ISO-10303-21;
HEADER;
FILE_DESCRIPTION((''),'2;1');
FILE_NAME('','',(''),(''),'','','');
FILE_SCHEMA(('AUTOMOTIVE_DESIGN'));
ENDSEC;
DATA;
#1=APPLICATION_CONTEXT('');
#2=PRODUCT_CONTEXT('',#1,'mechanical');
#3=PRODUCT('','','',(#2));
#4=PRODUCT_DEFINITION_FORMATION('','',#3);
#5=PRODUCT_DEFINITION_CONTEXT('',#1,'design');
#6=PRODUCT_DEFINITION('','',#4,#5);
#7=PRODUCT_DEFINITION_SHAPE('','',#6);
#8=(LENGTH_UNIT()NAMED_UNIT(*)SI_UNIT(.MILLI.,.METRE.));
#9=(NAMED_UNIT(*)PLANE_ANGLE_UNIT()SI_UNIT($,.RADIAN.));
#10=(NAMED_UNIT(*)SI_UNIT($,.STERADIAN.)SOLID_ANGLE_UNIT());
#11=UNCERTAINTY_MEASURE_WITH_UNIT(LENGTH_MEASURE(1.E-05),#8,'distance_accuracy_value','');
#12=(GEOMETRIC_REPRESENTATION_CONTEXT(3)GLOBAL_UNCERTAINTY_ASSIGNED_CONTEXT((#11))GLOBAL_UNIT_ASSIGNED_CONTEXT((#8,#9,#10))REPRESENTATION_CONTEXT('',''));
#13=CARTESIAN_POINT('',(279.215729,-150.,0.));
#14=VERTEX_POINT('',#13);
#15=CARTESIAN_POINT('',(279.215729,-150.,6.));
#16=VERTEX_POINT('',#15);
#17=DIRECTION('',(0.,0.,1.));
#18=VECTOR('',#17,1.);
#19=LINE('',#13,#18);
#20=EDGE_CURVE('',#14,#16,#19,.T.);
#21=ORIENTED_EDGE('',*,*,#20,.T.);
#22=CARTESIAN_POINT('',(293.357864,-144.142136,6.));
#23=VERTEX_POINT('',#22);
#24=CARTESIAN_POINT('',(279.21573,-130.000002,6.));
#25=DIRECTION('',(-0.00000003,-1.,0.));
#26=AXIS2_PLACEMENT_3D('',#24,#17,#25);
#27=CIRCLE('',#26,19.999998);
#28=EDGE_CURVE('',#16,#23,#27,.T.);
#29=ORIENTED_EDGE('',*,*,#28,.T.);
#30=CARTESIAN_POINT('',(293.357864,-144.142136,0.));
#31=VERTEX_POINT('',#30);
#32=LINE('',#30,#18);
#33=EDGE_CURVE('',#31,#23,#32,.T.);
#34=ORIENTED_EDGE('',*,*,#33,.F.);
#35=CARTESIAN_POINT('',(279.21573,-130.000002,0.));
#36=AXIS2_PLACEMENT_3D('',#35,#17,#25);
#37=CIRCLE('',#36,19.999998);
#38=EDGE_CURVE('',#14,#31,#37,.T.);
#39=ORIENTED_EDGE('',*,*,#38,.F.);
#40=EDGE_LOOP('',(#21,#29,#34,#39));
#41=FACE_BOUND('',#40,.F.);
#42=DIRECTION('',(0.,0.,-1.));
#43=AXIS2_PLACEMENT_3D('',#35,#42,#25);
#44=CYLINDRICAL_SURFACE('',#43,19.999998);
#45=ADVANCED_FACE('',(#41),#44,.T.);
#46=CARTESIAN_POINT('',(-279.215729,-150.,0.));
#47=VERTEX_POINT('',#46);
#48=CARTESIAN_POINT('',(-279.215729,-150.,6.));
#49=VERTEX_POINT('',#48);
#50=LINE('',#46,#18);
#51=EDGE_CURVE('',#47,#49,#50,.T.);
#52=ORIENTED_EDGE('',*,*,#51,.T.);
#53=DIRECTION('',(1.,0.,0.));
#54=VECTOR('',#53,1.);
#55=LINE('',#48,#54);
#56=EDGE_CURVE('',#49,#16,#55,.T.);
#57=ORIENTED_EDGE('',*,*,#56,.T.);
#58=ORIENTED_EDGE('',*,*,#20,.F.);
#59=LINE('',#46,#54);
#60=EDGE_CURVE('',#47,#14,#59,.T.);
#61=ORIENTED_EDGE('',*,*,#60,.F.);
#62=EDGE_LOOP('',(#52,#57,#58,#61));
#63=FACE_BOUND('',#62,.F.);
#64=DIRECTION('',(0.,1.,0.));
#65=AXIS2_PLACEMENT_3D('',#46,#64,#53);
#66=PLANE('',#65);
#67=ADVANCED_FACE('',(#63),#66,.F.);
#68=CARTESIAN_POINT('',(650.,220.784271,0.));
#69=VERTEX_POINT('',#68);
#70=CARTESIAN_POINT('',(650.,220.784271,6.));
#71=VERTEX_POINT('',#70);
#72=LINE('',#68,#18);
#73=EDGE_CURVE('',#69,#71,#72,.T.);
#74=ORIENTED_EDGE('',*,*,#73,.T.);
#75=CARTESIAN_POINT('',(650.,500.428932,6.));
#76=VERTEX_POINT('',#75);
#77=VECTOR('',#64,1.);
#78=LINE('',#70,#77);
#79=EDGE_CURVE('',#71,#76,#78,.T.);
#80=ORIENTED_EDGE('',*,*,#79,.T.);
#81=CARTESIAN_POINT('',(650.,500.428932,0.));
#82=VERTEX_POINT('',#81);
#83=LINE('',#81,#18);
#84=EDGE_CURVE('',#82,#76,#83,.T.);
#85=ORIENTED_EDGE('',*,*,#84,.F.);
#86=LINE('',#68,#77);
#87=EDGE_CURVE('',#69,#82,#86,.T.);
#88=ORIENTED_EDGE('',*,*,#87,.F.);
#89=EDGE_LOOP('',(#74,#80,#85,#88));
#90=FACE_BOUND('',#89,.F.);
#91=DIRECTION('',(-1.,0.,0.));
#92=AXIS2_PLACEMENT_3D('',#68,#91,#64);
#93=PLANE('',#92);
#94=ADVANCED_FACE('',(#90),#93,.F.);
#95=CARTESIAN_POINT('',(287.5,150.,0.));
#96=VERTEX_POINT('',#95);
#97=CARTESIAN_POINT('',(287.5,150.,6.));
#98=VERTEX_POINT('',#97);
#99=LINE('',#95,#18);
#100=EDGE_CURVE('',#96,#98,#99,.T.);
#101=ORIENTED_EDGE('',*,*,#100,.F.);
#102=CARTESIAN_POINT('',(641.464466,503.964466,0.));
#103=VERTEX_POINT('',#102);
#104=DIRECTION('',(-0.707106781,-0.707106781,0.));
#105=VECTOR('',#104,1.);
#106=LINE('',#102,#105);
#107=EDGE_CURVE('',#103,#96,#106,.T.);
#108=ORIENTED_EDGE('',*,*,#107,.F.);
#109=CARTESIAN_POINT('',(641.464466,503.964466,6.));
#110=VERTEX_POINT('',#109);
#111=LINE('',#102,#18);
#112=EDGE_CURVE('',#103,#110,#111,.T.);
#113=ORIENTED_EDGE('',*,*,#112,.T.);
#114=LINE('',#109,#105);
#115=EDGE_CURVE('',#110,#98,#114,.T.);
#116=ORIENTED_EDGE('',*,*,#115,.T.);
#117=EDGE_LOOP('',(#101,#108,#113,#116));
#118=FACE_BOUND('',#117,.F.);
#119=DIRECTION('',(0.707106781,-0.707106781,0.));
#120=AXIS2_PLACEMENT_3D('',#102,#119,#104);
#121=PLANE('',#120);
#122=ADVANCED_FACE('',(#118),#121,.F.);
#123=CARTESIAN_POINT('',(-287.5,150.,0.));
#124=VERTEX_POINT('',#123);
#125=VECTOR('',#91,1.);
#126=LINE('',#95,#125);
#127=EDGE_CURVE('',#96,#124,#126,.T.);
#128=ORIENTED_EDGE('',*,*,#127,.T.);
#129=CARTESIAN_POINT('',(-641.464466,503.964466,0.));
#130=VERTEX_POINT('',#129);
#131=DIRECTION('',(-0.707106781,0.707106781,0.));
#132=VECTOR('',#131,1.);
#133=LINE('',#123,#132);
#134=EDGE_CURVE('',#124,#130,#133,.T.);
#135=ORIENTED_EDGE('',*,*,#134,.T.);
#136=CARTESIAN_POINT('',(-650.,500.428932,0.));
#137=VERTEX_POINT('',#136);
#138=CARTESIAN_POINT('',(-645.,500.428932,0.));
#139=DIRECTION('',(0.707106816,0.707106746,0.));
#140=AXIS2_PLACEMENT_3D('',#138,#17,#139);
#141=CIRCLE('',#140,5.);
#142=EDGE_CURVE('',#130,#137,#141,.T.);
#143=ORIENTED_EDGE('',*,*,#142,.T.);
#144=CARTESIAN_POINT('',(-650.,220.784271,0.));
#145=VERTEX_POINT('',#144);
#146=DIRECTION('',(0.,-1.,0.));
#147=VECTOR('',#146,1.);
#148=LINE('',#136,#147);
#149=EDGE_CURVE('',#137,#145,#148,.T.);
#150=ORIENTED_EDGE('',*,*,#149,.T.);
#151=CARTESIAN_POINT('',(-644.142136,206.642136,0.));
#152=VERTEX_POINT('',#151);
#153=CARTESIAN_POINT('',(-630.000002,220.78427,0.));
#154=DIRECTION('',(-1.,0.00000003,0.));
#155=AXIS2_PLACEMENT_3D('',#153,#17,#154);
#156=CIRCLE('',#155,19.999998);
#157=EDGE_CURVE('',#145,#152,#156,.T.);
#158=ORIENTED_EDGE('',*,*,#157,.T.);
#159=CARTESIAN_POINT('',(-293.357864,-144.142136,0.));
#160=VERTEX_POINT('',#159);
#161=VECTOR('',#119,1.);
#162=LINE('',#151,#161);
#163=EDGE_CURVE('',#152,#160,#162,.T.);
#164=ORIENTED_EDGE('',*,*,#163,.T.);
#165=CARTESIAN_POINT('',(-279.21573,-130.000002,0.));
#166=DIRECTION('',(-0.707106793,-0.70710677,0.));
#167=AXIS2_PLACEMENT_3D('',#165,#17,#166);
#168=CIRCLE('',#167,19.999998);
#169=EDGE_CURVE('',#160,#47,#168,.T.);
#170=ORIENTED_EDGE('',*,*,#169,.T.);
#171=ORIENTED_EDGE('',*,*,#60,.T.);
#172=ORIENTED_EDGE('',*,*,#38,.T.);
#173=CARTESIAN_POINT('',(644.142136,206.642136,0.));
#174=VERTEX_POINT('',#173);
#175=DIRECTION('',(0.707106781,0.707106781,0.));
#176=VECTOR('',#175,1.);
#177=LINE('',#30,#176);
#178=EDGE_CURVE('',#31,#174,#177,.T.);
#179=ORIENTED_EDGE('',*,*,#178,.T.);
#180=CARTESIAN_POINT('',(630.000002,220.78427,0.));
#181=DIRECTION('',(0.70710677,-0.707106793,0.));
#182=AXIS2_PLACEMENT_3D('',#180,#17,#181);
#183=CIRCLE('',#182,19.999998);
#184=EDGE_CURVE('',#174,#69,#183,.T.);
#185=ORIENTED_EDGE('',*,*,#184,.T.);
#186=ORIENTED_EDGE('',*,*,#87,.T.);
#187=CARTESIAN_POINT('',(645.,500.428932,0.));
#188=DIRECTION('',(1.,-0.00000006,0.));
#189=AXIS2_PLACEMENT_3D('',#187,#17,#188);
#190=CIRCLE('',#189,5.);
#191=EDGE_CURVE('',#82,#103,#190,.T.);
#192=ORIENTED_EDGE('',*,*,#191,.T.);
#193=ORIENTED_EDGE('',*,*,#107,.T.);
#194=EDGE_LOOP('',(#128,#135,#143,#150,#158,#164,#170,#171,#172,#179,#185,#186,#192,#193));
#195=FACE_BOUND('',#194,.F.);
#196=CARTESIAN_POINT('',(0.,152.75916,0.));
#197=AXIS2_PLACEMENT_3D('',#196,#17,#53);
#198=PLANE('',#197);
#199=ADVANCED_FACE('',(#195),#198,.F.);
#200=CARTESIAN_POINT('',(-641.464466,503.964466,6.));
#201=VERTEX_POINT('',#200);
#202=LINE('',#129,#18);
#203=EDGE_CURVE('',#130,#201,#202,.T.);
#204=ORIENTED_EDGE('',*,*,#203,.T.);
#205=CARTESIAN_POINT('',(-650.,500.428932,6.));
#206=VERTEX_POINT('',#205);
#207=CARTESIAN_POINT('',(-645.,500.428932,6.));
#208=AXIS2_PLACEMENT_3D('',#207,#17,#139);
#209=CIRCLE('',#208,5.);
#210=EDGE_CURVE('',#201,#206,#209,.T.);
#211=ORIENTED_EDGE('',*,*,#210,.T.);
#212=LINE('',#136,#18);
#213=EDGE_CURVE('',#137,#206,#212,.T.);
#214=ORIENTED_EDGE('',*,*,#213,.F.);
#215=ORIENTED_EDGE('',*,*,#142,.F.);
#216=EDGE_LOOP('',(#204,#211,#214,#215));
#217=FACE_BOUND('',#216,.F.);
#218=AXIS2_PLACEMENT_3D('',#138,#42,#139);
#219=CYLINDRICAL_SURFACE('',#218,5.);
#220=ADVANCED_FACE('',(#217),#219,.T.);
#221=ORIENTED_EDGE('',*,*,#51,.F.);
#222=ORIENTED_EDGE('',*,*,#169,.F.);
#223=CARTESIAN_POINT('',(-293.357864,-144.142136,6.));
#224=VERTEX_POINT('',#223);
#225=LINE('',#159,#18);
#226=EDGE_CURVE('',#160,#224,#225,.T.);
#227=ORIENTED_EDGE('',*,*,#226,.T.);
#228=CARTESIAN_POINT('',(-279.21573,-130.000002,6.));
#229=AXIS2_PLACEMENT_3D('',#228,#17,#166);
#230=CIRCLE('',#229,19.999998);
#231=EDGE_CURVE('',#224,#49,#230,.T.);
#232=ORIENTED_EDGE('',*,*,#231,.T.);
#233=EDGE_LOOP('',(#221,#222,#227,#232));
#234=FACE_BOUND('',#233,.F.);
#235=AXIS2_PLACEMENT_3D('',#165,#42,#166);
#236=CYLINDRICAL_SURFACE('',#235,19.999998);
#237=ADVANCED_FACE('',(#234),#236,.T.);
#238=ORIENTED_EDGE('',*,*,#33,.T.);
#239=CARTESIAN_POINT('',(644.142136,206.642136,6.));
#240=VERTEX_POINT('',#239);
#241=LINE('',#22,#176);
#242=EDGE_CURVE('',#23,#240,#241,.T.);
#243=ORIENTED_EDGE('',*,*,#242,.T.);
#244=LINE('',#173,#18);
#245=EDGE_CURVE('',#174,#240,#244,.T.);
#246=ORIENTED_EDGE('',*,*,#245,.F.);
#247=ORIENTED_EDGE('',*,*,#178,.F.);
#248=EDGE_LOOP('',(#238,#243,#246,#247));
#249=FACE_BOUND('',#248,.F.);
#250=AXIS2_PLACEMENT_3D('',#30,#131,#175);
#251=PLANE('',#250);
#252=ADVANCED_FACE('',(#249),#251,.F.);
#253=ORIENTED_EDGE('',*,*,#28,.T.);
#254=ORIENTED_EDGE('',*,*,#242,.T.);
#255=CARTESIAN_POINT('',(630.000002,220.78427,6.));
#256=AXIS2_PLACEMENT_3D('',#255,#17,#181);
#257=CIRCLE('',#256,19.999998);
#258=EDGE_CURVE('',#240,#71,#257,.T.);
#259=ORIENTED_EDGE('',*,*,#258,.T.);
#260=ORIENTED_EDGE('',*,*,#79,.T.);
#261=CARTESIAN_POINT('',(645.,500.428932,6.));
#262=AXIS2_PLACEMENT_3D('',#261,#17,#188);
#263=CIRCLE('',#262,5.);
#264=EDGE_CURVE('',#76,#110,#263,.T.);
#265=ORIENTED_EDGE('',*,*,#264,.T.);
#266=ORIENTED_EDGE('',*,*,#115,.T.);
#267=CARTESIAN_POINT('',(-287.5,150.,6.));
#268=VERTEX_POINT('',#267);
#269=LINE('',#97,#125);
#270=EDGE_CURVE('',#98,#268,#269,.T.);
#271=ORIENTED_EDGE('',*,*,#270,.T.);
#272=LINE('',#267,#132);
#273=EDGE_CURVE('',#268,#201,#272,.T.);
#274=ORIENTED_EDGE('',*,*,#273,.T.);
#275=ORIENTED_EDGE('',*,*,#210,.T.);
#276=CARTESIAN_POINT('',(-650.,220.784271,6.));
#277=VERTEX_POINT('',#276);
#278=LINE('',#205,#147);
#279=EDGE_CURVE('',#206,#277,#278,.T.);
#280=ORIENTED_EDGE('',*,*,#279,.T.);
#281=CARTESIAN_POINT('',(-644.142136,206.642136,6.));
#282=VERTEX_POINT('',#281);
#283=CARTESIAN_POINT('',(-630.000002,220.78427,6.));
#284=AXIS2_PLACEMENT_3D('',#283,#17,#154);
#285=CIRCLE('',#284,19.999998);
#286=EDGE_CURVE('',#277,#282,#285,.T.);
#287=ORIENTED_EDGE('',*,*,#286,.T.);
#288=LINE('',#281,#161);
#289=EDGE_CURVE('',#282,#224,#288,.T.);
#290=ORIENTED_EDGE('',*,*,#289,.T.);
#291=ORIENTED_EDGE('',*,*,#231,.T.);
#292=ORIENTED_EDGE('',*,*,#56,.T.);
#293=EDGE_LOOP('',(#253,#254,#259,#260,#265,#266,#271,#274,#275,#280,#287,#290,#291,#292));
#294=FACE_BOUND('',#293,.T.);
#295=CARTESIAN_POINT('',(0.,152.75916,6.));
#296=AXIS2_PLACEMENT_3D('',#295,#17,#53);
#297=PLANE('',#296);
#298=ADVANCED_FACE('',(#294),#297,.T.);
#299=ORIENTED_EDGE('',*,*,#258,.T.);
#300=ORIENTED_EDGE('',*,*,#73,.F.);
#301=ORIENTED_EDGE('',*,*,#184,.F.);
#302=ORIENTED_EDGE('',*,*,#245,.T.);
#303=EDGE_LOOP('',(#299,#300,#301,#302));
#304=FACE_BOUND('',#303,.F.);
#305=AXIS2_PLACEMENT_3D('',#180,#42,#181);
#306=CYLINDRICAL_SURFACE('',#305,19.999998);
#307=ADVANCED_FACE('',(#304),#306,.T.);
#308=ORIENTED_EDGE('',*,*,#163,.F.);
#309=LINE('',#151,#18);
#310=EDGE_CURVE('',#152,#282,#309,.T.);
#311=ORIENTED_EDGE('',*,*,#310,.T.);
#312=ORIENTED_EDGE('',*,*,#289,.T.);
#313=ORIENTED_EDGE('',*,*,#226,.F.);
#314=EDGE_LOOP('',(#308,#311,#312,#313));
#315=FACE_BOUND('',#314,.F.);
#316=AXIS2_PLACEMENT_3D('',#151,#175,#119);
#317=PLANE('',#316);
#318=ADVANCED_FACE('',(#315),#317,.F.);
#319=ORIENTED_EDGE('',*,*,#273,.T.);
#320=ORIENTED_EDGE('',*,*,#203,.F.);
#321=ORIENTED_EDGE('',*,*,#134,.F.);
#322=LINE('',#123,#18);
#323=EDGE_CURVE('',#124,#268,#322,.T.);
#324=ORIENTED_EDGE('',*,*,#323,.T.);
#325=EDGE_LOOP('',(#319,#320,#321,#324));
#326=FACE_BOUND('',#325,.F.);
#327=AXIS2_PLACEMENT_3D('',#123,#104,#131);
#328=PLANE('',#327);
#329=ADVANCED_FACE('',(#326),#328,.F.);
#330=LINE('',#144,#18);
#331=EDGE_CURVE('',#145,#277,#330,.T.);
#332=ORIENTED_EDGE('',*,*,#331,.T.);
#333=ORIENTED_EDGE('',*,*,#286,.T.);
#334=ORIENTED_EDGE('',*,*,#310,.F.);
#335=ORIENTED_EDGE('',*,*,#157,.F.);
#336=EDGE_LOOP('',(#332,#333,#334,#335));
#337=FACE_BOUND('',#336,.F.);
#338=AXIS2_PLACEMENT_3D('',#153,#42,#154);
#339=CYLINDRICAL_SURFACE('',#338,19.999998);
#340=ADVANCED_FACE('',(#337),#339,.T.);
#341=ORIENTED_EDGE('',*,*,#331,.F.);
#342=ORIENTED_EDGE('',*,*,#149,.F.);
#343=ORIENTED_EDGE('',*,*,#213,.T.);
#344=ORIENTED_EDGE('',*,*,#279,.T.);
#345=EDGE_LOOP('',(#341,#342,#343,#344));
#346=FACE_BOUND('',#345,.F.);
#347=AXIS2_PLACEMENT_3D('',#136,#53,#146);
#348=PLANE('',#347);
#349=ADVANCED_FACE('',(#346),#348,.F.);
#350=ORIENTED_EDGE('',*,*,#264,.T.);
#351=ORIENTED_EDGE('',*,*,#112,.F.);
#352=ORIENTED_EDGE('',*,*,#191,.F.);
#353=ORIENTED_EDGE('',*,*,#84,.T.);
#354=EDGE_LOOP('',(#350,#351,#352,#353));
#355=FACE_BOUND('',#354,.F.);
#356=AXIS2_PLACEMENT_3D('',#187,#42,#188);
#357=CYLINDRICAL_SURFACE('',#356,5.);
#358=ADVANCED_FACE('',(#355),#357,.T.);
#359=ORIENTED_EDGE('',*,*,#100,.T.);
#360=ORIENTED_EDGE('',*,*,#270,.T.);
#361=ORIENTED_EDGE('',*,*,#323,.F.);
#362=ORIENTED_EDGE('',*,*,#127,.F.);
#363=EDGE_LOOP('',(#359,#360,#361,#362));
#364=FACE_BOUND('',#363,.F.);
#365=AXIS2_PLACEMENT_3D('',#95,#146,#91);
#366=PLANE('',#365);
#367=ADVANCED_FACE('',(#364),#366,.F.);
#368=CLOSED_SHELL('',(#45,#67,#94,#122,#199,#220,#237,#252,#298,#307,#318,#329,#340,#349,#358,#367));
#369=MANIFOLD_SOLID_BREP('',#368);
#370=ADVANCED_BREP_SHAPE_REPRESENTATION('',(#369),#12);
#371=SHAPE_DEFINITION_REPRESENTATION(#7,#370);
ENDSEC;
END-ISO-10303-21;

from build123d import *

# Parameters (mm, degrees)
F1_DEPTH = 6


with BuildPart() as f1:
    # F0 (on Top) → F1 (new body)
    with BuildSketch(Plane.XY):
        with BuildLine():
            Line((287.5, 150), (-287.5, 150))
            Line((-287.5, 150), (-641.464466, 503.964466))
            ThreePointArc((-641.464466, 503.964466), (-646.913417, 505.04833), (-650, 500.428932))
            Line((-650, 500.428932), (-650, 220.784271))
            ThreePointArc((-650, 220.784271), (-648.477591, 213.130603), (-644.142136, 206.642136))
            Line((-644.142136, 206.642136), (-293.357864, -144.142136))
            ThreePointArc((-293.357864, -144.142136), (-286.869397, -148.477591), (-279.215729, -150))
            Line((-279.215729, -150), (279.215729, -150))
            ThreePointArc((279.215729, -150), (286.869397, -148.477591), (293.357864, -144.142136))
            Line((293.357864, -144.142136), (644.142136, 206.642136))
            ThreePointArc((644.142136, 206.642136), (648.477591, 213.130603), (650, 220.784271))
            Line((650, 220.784271), (650, 500.428932))
            ThreePointArc((650, 500.428932), (646.913417, 505.04833), (641.464466, 503.964466))
            Line((641.464466, 503.964466), (287.5, 150))
        make_face()
    extrude(amount=F1_DEPTH)


solid = f1.part
